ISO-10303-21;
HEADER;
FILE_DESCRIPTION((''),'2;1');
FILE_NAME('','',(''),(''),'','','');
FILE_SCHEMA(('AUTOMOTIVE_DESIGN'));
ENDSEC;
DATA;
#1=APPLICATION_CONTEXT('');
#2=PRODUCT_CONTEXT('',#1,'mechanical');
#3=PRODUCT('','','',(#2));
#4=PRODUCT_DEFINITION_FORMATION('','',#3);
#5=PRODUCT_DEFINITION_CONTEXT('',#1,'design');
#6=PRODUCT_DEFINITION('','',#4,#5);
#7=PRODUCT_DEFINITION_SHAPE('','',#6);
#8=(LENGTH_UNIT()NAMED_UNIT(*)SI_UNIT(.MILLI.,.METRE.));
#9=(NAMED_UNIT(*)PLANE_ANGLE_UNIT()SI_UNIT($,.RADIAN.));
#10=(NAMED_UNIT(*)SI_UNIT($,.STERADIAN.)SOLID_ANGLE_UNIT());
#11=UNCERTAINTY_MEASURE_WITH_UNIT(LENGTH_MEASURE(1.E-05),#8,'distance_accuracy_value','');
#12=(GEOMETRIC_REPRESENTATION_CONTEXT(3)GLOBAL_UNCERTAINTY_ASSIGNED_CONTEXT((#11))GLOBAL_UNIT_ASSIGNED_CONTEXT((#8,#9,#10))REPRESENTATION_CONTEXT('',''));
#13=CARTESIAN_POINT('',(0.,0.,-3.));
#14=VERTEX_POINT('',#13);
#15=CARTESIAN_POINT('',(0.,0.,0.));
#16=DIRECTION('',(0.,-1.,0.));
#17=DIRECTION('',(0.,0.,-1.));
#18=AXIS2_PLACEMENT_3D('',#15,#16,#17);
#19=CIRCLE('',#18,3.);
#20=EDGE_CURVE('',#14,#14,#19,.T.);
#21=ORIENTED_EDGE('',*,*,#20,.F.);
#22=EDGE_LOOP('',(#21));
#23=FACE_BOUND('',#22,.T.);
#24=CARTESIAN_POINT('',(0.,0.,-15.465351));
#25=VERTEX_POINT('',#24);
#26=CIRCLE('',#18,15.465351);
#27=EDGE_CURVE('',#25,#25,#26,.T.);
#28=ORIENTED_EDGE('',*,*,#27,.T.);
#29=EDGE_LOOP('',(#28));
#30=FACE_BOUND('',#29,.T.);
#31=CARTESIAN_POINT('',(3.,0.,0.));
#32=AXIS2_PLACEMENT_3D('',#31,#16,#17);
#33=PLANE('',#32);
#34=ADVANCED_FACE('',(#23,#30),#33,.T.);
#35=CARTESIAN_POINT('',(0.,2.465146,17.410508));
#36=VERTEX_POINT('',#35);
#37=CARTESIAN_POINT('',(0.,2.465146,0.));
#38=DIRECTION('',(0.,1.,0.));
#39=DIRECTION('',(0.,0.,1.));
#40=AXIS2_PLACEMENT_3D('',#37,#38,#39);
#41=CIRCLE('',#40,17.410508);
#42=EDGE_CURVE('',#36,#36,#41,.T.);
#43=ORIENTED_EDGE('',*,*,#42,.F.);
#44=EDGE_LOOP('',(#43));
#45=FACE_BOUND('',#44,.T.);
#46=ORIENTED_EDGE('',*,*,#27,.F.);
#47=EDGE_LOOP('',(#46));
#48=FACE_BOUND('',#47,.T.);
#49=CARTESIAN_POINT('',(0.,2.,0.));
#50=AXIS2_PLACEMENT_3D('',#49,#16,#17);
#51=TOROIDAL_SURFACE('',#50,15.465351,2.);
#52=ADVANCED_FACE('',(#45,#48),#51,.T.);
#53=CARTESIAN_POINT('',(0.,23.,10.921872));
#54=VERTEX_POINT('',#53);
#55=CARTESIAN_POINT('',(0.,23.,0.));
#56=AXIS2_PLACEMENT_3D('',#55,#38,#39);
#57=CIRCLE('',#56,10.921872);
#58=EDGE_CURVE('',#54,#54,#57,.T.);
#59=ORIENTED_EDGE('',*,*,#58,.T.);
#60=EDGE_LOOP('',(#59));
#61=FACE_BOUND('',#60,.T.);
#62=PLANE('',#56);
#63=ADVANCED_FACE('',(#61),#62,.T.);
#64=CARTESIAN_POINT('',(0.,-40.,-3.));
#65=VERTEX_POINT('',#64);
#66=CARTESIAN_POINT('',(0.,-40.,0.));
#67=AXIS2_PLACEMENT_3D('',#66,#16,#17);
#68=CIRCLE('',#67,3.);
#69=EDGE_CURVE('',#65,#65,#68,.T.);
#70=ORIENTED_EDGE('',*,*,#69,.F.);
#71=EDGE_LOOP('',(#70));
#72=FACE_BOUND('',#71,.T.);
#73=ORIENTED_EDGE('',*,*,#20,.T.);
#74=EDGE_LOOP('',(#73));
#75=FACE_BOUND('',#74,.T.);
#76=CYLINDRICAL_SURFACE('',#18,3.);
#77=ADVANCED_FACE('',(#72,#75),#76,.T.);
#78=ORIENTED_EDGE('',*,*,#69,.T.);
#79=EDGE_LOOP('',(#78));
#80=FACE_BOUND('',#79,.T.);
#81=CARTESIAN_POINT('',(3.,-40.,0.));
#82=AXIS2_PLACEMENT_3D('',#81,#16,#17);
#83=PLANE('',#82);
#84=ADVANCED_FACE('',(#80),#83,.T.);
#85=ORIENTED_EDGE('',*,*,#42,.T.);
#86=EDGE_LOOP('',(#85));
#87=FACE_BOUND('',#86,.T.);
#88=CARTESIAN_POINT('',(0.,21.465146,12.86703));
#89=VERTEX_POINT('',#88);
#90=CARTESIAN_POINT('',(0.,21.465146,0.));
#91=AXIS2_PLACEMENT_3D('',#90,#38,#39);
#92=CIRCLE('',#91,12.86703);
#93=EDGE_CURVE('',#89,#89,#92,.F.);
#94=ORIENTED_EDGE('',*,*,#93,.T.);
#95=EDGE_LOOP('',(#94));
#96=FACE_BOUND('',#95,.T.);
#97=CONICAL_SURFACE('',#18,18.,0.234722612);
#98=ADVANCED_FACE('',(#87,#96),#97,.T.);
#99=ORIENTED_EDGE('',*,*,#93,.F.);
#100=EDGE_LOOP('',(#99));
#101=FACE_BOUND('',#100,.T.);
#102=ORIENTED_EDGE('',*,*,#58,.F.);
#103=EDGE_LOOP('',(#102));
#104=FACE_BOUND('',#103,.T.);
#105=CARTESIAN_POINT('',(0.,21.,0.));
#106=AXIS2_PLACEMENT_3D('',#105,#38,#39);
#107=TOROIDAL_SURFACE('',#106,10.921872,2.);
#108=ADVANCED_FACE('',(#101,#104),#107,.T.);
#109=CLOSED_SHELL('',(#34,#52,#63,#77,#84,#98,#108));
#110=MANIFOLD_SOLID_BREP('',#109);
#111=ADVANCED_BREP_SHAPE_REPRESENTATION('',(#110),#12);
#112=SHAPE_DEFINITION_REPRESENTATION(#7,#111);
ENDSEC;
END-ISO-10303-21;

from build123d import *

# Parameters (mm, degrees)
FILLET_1_R = 2


with BuildPart() as part:
    # 草图2 → 旋转1 (revolve)
    with BuildSketch(Plane.XY, mode=Mode.PRIVATE) as revolve_1_sk:
        Polygon((3, 0), (18, 0), (12.5, 23), (0, 23), (0, 0), (0, -40), (3, -40), align=None)
    revolve(revolve_1_sk.sketch.rotate(Axis((0, 0, 0), (0, 1, 0)), 90), axis=Axis((0, 0, 0), (0, 1, 0)))

    # 圆角1
    fillet_1_edges = [part.edges().sort_by_distance(p)[0] for p in [
        (0, 0, 18),
        (0, 23, 12.5),
    ]]
    fillet(fillet_1_edges, radius=FILLET_1_R)


solid = part.part
